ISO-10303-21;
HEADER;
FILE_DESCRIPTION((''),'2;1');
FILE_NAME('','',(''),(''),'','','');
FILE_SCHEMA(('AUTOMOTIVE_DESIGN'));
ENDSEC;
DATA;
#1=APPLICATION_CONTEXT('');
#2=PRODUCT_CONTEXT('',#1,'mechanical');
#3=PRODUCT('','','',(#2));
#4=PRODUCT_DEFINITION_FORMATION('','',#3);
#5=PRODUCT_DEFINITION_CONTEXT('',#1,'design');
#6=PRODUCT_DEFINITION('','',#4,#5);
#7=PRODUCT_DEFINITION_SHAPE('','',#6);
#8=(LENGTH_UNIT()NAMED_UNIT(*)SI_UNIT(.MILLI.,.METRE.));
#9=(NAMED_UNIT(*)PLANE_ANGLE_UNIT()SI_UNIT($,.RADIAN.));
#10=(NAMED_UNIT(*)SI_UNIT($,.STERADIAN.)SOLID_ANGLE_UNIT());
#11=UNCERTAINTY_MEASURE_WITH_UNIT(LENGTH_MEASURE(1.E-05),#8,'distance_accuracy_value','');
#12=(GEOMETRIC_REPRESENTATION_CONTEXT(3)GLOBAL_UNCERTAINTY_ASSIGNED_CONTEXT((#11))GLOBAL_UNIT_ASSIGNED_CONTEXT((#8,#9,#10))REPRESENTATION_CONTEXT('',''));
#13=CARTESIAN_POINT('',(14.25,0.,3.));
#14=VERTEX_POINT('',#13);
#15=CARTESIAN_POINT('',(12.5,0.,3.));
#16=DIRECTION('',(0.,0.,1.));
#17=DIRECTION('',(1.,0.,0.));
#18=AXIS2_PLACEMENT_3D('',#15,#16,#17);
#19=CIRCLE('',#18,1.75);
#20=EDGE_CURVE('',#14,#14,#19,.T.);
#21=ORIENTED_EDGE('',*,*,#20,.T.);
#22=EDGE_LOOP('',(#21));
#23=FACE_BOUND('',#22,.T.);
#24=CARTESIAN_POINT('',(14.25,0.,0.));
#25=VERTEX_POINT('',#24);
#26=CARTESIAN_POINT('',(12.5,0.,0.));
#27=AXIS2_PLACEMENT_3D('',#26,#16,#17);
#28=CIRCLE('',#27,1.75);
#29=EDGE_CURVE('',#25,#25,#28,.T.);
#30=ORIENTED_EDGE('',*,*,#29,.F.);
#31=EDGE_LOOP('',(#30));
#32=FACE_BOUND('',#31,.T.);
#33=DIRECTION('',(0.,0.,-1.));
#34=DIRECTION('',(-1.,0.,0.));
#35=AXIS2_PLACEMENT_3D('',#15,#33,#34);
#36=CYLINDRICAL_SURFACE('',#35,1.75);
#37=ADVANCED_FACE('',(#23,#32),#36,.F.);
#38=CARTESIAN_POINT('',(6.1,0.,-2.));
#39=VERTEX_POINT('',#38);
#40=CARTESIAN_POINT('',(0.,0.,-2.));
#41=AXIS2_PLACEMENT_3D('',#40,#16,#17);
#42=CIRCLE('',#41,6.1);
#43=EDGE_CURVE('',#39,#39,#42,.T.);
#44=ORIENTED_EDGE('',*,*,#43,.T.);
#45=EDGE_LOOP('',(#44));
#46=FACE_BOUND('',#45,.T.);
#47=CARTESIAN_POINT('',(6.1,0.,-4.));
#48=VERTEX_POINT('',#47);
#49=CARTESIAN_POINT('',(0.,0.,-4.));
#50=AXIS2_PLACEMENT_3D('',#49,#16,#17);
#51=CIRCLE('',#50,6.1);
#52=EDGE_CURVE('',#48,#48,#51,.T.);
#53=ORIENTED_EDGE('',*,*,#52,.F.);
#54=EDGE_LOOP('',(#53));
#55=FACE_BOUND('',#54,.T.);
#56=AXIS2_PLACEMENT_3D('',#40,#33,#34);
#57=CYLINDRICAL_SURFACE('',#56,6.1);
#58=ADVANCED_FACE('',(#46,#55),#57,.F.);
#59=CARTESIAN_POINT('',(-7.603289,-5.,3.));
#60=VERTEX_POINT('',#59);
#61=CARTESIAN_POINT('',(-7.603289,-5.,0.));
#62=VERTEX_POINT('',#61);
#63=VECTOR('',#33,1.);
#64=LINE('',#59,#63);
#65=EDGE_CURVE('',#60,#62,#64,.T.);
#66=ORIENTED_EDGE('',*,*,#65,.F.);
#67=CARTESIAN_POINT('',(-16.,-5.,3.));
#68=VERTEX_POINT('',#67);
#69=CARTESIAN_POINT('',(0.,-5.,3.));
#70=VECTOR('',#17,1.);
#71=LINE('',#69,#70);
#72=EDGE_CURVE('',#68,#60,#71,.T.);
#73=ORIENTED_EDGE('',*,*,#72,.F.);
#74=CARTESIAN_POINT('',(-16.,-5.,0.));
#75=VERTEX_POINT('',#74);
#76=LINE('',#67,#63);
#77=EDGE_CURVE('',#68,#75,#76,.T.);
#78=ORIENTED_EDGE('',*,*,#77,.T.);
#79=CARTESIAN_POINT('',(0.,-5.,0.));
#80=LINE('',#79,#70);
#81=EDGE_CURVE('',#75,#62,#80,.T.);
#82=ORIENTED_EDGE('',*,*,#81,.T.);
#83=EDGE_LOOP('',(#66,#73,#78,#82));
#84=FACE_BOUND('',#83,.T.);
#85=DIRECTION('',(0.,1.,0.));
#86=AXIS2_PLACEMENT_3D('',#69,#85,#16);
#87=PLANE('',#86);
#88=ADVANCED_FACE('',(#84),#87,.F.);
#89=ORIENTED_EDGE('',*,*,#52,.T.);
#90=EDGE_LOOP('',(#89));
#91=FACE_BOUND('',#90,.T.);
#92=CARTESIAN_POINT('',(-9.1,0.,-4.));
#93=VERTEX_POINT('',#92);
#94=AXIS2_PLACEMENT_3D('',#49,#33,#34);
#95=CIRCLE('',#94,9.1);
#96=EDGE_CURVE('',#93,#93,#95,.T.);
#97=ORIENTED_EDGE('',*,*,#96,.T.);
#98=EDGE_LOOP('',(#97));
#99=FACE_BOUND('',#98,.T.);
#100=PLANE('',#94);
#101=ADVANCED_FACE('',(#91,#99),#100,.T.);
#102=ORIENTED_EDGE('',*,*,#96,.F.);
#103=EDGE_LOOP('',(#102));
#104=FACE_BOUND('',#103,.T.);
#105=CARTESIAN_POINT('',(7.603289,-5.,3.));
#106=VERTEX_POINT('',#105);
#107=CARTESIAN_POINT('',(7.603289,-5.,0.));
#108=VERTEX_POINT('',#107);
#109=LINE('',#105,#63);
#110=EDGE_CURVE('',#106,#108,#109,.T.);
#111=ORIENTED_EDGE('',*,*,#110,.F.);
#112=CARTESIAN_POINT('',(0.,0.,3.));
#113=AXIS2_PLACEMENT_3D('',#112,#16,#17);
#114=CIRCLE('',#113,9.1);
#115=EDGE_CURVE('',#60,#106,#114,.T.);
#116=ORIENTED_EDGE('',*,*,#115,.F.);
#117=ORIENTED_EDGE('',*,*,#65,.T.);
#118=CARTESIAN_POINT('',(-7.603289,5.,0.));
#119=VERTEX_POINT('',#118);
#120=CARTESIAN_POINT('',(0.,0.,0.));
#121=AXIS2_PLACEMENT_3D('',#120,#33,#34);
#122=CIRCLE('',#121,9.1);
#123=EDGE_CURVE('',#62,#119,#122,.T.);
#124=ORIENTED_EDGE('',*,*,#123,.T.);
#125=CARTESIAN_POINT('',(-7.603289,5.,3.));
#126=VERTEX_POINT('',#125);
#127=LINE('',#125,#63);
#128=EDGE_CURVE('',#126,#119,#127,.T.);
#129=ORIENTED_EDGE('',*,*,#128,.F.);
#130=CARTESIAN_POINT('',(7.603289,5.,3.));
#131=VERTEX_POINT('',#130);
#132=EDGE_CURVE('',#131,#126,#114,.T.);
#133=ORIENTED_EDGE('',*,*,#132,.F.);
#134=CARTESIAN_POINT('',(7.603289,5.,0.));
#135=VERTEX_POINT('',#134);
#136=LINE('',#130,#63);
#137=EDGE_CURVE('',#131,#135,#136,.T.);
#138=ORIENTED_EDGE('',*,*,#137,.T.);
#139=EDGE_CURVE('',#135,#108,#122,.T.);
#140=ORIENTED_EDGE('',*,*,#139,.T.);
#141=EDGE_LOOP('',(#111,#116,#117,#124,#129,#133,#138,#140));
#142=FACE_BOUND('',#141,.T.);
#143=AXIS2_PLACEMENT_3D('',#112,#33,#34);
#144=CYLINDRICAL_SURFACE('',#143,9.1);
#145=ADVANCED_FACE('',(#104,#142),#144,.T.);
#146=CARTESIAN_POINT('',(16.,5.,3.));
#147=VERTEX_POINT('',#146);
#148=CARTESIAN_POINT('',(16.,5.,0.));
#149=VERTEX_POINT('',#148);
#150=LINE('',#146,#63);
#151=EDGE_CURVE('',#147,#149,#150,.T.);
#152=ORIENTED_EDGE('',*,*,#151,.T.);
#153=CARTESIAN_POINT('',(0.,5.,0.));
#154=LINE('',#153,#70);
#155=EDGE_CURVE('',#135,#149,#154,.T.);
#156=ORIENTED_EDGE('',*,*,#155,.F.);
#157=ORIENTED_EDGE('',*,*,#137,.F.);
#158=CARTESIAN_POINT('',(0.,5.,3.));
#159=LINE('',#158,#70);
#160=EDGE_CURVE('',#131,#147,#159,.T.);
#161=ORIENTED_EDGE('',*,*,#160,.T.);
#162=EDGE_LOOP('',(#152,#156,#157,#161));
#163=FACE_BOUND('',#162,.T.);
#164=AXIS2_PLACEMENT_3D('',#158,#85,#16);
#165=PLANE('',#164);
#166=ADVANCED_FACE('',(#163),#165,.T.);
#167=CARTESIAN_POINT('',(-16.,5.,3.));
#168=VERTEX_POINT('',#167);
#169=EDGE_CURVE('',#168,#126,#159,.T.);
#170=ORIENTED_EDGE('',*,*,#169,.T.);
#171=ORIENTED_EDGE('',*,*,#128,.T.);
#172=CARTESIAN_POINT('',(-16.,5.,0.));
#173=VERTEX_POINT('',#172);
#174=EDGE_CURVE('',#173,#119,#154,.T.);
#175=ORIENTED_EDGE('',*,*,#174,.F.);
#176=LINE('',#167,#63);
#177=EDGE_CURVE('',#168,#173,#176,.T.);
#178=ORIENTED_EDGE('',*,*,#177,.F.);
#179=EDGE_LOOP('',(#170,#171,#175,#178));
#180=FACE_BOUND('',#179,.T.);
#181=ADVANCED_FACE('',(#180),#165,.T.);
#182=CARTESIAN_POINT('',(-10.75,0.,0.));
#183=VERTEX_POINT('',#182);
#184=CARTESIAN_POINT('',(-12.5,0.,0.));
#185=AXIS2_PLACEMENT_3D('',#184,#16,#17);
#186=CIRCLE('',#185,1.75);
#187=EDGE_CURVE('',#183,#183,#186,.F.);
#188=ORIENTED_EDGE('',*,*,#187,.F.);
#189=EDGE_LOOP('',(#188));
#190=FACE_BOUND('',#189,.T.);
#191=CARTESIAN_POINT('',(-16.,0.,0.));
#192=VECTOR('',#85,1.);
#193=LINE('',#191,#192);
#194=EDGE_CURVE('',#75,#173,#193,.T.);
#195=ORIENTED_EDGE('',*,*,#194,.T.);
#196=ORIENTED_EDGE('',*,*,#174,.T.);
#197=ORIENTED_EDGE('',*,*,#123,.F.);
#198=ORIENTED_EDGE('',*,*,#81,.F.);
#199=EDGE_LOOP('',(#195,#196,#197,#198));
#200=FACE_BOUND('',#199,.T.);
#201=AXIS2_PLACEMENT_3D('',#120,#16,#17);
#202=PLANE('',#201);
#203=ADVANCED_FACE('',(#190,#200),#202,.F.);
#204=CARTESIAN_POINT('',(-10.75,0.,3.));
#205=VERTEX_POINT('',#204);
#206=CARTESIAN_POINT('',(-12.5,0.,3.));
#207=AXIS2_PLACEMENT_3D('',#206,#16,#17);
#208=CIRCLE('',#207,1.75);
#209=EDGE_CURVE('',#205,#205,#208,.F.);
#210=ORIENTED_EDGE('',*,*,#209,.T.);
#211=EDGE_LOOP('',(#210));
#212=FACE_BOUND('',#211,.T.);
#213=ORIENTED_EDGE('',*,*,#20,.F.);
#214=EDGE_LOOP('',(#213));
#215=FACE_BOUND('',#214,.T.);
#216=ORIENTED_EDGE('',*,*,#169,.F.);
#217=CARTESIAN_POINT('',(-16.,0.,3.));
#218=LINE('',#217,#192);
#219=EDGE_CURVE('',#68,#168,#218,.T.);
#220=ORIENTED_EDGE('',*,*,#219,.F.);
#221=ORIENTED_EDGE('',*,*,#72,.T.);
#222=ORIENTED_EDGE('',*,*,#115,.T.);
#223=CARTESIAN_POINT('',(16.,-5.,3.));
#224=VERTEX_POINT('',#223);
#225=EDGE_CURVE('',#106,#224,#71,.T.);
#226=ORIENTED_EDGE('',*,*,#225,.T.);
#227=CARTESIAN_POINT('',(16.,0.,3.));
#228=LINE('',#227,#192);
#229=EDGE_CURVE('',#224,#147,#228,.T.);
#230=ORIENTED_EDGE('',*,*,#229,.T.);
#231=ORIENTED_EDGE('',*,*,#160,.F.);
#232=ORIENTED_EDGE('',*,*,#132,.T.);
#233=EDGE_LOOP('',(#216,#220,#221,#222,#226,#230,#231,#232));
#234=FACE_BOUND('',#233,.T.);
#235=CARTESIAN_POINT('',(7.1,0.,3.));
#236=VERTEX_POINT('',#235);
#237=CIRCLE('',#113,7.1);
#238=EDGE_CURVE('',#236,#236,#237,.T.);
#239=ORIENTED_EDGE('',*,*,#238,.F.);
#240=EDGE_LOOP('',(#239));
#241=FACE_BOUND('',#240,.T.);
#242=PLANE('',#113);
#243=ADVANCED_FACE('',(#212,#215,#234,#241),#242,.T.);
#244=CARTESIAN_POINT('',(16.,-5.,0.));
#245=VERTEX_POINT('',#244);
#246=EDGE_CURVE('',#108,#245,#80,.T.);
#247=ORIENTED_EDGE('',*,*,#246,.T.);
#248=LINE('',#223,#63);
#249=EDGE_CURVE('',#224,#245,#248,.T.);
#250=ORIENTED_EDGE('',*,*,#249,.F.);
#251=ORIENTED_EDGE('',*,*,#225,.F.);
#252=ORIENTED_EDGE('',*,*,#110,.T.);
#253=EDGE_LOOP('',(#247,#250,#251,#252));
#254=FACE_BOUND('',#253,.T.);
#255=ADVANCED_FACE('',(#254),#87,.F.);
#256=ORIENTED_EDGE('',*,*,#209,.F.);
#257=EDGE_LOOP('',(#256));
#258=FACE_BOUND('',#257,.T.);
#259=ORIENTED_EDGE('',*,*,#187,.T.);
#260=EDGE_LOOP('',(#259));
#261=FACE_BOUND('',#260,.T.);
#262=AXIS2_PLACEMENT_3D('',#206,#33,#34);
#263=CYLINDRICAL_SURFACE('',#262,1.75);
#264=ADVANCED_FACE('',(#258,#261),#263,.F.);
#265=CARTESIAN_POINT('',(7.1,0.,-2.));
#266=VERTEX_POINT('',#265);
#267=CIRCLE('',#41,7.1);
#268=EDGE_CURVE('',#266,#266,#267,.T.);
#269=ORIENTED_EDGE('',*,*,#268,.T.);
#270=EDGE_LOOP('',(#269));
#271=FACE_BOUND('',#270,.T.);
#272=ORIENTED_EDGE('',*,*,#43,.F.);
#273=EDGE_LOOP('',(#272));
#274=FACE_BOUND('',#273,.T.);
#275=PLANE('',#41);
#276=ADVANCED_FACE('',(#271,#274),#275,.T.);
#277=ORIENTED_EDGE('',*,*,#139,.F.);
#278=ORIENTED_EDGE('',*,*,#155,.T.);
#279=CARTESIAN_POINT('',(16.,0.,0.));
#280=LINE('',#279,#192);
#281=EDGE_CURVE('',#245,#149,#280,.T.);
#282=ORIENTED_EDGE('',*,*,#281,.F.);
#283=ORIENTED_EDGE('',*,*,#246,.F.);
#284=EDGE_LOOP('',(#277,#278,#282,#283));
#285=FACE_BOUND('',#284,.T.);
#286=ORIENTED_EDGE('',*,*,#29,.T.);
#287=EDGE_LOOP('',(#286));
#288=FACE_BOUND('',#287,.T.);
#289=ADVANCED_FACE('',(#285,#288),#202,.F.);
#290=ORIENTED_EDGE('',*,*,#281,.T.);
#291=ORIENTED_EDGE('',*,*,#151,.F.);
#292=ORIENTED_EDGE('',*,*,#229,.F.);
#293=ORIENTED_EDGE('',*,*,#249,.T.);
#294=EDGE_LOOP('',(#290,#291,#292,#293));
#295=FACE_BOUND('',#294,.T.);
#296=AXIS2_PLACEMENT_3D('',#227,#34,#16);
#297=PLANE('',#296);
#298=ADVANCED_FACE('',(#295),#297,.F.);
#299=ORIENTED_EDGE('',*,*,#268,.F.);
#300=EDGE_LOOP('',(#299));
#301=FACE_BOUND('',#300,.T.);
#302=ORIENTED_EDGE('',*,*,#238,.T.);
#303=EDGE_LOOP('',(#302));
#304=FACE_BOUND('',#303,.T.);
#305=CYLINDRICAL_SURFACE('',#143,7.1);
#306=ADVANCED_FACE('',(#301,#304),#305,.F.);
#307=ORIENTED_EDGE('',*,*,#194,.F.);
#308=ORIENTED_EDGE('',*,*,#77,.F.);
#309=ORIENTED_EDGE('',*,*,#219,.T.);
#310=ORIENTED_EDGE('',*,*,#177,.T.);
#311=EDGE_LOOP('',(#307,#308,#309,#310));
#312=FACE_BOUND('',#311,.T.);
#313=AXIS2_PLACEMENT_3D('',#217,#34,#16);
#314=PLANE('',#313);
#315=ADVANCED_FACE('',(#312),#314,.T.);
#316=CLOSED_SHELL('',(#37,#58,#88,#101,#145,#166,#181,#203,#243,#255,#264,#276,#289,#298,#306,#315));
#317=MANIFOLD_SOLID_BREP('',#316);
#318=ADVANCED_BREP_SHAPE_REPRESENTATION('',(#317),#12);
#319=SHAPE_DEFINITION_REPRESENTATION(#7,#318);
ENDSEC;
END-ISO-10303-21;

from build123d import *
from build123d.topology import SkipClean

# Parameters (mm, degrees)
SKETCH_1_R      = 1.75
EXTRUDE_1_DEPTH = 3
EXTRUDE_START   = 4
SKETCH_2_R      = 9.1
SKETCH_2_R_2    = 7.1
EXTRUDE_2_DEPTH = 4
SKETCH_3_R      = 7.1
SKETCH_3_R_2    = 6.1
EXTRUDE_3_DEPTH = 2


with BuildPart() as part:
    # Эскиз1 → Бобышка-Вытянуть1 (new body)
    # profile 1 of 8: a face of its own
    with BuildSketch(Plane.XY):
        with BuildLine():
            Line((-16, 5), (-16, -5))
            Line((-16, -5), (-7.603288762, -5))
            ThreePointArc((-7.603288762, -5), (-9.1, 0), (-7.603288762, 5))
            Line((-7.603288762, 5), (-16, 5))
        make_face()
        with Locations((-12.5, 0)):
            Circle(SKETCH_1_R, mode=Mode.SUBTRACT)
    # profile 2 of 8: a face of its own
    with BuildSketch(Plane.XY):
        with BuildLine():
            ThreePointArc((-7.603288762, 5), (-9.1, 0), (-7.603288762, -5))
            Line((-7.603288762, -5), (-5.040833264, -5))
            ThreePointArc((-5.040833264, -5), (-7.1, 0), (-5.040833264, 5))
            Line((-5.040833264, 5), (-7.603288762, 5))
        make_face()
    # profile 3 of 8: a face of its own
    with BuildSketch(Plane.XY):
        with BuildLine():
            Line((5.040833264, -5), (7.603288762, -5))
            ThreePointArc((7.603288762, -5), (8.717795815, -2.609604593), (9.1, 0))
            ThreePointArc((9.1, 0), (8.717795815, 2.609604593), (7.603288762, 5))
            Line((7.603288762, 5), (5.040833264, 5))
            ThreePointArc((5.040833264, 5), (6.565055833, 2.703708918), (7.1, 0))
            ThreePointArc((7.1, 0), (6.565055833, -2.703708918), (5.040833264, -5))
        make_face()
    # profile 4 of 8: a face of its own
    with BuildSketch(Plane.XY):
        with BuildLine():
            ThreePointArc((7.603288762, 5), (0, 9.1), (-7.603288762, 5))
            Line((-7.603288762, 5), (-5.040833264, 5))
            ThreePointArc((-5.040833264, 5), (0, 7.1), (5.040833264, 5))
            Line((5.040833264, 5), (7.603288762, 5))
        make_face()
    # profile 5 of 8: a face of its own
    with BuildSketch(Plane.XY):
        with BuildLine():
            ThreePointArc((-7.603288762, 5), (-9.1, 0), (-7.603288762, -5))
            Line((-7.603288762, -5), (-5.040833264, -5))
            ThreePointArc((-5.040833264, -5), (-7.1, 0), (-5.040833264, 5))
            Line((-5.040833264, 5), (-7.603288762, 5))
        make_face()
    # profile 6 of 8: a face of its own
    with BuildSketch(Plane.XY):
        with BuildLine():
            Line((5.040833264, -5), (7.603288762, -5))
            ThreePointArc((7.603288762, -5), (8.717795815, -2.609604593), (9.1, 0))
            ThreePointArc((9.1, 0), (8.717795815, 2.609604593), (7.603288762, 5))
            Line((7.603288762, 5), (5.040833264, 5))
            ThreePointArc((5.040833264, 5), (6.565055833, 2.703708918), (7.1, 0))
            ThreePointArc((7.1, 0), (6.565055833, -2.703708918), (5.040833264, -5))
        make_face()
    # profile 7 of 8: a face of its own
    with BuildSketch(Plane.XY):
        with BuildLine():
            ThreePointArc((9.1, 0), (8.717795815, -2.609604593), (7.603288762, -5))
            Line((7.603288762, -5), (16, -5))
            Line((16, -5), (16, 5))
            Line((16, 5), (7.603288762, 5))
            ThreePointArc((7.603288762, 5), (8.717795815, 2.609604593), (9.1, 0))
        make_face()
        with Locations((12.5, 0)):
            Circle(SKETCH_1_R, mode=Mode.SUBTRACT)
    # profile 8 of 8: a face of its own
    with BuildSketch(Plane.XY):
        with BuildLine():
            Line((-5.040833264, -5), (-7.603288762, -5))
            ThreePointArc((-7.603288762, -5), (0, -9.1), (7.603288762, -5))
            Line((7.603288762, -5), (5.040833264, -5))
            ThreePointArc((5.040833264, -5), (0, -7.1), (-5.040833264, -5))
        make_face()
    extrude(amount=EXTRUDE_1_DEPTH)

    # Эскиз2 → Бобышка-Вытянуть2 (add)
    with SkipClean():  # the faces are left unmerged after this step: merging them gives an invalid solid
        with BuildSketch(Plane(origin=(0, 0, 0), x_dir=(-1, 0, 0), z_dir=(0, 0, -1)).offset(EXTRUDE_START)):
            Circle(SKETCH_2_R)
            Circle(SKETCH_2_R_2, mode=Mode.SUBTRACT)
        extrude(amount=-EXTRUDE_2_DEPTH)

    # Эскиз3 → Бобышка-Вытянуть3 (add)
    with SkipClean():  # the faces are left unmerged after this step: merging them gives an invalid solid
        with BuildSketch(Plane.XY.offset(-4)):
            Circle(SKETCH_3_R)
            Circle(SKETCH_3_R_2, mode=Mode.SUBTRACT)
        extrude(amount=EXTRUDE_3_DEPTH)


solid = part.part
